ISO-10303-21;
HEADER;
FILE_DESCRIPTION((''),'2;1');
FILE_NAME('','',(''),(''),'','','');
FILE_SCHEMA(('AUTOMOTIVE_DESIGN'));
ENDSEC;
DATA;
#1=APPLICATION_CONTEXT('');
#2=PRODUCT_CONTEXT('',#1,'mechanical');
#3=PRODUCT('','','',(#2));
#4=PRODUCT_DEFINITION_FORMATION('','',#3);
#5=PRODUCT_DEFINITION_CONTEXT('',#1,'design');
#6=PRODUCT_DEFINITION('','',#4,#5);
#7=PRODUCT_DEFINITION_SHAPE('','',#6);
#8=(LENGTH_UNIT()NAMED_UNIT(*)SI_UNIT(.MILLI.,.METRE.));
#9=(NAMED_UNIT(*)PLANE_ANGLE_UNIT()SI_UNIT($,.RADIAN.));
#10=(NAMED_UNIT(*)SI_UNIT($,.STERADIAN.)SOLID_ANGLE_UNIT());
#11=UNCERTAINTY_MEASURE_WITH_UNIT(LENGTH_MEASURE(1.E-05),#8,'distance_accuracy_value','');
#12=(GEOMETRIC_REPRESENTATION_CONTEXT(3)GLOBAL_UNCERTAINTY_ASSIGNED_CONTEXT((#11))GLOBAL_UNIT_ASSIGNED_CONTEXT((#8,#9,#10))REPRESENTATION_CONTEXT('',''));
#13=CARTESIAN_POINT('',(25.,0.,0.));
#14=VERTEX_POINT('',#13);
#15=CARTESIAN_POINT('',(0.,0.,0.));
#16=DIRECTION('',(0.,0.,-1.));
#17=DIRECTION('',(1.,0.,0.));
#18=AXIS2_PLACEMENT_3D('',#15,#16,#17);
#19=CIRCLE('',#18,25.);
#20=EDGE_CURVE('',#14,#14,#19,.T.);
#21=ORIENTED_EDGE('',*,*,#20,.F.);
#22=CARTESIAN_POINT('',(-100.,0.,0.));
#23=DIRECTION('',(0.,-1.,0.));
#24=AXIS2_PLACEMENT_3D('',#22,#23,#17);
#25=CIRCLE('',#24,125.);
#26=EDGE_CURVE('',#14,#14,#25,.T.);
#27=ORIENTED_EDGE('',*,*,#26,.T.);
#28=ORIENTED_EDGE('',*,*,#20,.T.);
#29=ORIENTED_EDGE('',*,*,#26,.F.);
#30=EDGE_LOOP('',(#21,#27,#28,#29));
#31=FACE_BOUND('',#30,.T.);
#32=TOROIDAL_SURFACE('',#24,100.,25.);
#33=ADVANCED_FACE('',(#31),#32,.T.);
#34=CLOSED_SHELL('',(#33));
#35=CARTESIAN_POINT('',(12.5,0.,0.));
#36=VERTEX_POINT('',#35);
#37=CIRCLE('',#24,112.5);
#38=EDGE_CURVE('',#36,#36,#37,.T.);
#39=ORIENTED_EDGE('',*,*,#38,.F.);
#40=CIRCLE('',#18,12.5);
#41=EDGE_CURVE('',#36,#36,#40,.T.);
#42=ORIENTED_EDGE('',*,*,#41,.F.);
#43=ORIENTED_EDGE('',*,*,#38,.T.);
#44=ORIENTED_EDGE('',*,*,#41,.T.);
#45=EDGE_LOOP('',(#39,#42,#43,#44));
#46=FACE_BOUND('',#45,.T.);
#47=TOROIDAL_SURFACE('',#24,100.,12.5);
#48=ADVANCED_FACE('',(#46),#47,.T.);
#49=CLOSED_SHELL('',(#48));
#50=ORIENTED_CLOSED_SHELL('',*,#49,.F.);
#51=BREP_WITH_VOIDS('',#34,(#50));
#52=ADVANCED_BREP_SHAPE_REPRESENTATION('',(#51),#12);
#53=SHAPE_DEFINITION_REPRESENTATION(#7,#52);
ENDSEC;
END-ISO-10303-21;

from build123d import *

# Parameters (mm, degrees)
F0_R   = 25
F0_R_2 = 12.5


with BuildPart() as f2:
    # F2: sweep along a path in F1
    with BuildLine(Plane.XZ) as f2_path:
        CenterArc((-100, 0), 100, 0, 360)
    # F0 (on Top) → F2 (sweep)
    with BuildSketch(Plane.XY):
        Circle(F0_R)
        Circle(F0_R_2, mode=Mode.SUBTRACT)
    sweep(path=f2_path.line)


solid = f2.part
